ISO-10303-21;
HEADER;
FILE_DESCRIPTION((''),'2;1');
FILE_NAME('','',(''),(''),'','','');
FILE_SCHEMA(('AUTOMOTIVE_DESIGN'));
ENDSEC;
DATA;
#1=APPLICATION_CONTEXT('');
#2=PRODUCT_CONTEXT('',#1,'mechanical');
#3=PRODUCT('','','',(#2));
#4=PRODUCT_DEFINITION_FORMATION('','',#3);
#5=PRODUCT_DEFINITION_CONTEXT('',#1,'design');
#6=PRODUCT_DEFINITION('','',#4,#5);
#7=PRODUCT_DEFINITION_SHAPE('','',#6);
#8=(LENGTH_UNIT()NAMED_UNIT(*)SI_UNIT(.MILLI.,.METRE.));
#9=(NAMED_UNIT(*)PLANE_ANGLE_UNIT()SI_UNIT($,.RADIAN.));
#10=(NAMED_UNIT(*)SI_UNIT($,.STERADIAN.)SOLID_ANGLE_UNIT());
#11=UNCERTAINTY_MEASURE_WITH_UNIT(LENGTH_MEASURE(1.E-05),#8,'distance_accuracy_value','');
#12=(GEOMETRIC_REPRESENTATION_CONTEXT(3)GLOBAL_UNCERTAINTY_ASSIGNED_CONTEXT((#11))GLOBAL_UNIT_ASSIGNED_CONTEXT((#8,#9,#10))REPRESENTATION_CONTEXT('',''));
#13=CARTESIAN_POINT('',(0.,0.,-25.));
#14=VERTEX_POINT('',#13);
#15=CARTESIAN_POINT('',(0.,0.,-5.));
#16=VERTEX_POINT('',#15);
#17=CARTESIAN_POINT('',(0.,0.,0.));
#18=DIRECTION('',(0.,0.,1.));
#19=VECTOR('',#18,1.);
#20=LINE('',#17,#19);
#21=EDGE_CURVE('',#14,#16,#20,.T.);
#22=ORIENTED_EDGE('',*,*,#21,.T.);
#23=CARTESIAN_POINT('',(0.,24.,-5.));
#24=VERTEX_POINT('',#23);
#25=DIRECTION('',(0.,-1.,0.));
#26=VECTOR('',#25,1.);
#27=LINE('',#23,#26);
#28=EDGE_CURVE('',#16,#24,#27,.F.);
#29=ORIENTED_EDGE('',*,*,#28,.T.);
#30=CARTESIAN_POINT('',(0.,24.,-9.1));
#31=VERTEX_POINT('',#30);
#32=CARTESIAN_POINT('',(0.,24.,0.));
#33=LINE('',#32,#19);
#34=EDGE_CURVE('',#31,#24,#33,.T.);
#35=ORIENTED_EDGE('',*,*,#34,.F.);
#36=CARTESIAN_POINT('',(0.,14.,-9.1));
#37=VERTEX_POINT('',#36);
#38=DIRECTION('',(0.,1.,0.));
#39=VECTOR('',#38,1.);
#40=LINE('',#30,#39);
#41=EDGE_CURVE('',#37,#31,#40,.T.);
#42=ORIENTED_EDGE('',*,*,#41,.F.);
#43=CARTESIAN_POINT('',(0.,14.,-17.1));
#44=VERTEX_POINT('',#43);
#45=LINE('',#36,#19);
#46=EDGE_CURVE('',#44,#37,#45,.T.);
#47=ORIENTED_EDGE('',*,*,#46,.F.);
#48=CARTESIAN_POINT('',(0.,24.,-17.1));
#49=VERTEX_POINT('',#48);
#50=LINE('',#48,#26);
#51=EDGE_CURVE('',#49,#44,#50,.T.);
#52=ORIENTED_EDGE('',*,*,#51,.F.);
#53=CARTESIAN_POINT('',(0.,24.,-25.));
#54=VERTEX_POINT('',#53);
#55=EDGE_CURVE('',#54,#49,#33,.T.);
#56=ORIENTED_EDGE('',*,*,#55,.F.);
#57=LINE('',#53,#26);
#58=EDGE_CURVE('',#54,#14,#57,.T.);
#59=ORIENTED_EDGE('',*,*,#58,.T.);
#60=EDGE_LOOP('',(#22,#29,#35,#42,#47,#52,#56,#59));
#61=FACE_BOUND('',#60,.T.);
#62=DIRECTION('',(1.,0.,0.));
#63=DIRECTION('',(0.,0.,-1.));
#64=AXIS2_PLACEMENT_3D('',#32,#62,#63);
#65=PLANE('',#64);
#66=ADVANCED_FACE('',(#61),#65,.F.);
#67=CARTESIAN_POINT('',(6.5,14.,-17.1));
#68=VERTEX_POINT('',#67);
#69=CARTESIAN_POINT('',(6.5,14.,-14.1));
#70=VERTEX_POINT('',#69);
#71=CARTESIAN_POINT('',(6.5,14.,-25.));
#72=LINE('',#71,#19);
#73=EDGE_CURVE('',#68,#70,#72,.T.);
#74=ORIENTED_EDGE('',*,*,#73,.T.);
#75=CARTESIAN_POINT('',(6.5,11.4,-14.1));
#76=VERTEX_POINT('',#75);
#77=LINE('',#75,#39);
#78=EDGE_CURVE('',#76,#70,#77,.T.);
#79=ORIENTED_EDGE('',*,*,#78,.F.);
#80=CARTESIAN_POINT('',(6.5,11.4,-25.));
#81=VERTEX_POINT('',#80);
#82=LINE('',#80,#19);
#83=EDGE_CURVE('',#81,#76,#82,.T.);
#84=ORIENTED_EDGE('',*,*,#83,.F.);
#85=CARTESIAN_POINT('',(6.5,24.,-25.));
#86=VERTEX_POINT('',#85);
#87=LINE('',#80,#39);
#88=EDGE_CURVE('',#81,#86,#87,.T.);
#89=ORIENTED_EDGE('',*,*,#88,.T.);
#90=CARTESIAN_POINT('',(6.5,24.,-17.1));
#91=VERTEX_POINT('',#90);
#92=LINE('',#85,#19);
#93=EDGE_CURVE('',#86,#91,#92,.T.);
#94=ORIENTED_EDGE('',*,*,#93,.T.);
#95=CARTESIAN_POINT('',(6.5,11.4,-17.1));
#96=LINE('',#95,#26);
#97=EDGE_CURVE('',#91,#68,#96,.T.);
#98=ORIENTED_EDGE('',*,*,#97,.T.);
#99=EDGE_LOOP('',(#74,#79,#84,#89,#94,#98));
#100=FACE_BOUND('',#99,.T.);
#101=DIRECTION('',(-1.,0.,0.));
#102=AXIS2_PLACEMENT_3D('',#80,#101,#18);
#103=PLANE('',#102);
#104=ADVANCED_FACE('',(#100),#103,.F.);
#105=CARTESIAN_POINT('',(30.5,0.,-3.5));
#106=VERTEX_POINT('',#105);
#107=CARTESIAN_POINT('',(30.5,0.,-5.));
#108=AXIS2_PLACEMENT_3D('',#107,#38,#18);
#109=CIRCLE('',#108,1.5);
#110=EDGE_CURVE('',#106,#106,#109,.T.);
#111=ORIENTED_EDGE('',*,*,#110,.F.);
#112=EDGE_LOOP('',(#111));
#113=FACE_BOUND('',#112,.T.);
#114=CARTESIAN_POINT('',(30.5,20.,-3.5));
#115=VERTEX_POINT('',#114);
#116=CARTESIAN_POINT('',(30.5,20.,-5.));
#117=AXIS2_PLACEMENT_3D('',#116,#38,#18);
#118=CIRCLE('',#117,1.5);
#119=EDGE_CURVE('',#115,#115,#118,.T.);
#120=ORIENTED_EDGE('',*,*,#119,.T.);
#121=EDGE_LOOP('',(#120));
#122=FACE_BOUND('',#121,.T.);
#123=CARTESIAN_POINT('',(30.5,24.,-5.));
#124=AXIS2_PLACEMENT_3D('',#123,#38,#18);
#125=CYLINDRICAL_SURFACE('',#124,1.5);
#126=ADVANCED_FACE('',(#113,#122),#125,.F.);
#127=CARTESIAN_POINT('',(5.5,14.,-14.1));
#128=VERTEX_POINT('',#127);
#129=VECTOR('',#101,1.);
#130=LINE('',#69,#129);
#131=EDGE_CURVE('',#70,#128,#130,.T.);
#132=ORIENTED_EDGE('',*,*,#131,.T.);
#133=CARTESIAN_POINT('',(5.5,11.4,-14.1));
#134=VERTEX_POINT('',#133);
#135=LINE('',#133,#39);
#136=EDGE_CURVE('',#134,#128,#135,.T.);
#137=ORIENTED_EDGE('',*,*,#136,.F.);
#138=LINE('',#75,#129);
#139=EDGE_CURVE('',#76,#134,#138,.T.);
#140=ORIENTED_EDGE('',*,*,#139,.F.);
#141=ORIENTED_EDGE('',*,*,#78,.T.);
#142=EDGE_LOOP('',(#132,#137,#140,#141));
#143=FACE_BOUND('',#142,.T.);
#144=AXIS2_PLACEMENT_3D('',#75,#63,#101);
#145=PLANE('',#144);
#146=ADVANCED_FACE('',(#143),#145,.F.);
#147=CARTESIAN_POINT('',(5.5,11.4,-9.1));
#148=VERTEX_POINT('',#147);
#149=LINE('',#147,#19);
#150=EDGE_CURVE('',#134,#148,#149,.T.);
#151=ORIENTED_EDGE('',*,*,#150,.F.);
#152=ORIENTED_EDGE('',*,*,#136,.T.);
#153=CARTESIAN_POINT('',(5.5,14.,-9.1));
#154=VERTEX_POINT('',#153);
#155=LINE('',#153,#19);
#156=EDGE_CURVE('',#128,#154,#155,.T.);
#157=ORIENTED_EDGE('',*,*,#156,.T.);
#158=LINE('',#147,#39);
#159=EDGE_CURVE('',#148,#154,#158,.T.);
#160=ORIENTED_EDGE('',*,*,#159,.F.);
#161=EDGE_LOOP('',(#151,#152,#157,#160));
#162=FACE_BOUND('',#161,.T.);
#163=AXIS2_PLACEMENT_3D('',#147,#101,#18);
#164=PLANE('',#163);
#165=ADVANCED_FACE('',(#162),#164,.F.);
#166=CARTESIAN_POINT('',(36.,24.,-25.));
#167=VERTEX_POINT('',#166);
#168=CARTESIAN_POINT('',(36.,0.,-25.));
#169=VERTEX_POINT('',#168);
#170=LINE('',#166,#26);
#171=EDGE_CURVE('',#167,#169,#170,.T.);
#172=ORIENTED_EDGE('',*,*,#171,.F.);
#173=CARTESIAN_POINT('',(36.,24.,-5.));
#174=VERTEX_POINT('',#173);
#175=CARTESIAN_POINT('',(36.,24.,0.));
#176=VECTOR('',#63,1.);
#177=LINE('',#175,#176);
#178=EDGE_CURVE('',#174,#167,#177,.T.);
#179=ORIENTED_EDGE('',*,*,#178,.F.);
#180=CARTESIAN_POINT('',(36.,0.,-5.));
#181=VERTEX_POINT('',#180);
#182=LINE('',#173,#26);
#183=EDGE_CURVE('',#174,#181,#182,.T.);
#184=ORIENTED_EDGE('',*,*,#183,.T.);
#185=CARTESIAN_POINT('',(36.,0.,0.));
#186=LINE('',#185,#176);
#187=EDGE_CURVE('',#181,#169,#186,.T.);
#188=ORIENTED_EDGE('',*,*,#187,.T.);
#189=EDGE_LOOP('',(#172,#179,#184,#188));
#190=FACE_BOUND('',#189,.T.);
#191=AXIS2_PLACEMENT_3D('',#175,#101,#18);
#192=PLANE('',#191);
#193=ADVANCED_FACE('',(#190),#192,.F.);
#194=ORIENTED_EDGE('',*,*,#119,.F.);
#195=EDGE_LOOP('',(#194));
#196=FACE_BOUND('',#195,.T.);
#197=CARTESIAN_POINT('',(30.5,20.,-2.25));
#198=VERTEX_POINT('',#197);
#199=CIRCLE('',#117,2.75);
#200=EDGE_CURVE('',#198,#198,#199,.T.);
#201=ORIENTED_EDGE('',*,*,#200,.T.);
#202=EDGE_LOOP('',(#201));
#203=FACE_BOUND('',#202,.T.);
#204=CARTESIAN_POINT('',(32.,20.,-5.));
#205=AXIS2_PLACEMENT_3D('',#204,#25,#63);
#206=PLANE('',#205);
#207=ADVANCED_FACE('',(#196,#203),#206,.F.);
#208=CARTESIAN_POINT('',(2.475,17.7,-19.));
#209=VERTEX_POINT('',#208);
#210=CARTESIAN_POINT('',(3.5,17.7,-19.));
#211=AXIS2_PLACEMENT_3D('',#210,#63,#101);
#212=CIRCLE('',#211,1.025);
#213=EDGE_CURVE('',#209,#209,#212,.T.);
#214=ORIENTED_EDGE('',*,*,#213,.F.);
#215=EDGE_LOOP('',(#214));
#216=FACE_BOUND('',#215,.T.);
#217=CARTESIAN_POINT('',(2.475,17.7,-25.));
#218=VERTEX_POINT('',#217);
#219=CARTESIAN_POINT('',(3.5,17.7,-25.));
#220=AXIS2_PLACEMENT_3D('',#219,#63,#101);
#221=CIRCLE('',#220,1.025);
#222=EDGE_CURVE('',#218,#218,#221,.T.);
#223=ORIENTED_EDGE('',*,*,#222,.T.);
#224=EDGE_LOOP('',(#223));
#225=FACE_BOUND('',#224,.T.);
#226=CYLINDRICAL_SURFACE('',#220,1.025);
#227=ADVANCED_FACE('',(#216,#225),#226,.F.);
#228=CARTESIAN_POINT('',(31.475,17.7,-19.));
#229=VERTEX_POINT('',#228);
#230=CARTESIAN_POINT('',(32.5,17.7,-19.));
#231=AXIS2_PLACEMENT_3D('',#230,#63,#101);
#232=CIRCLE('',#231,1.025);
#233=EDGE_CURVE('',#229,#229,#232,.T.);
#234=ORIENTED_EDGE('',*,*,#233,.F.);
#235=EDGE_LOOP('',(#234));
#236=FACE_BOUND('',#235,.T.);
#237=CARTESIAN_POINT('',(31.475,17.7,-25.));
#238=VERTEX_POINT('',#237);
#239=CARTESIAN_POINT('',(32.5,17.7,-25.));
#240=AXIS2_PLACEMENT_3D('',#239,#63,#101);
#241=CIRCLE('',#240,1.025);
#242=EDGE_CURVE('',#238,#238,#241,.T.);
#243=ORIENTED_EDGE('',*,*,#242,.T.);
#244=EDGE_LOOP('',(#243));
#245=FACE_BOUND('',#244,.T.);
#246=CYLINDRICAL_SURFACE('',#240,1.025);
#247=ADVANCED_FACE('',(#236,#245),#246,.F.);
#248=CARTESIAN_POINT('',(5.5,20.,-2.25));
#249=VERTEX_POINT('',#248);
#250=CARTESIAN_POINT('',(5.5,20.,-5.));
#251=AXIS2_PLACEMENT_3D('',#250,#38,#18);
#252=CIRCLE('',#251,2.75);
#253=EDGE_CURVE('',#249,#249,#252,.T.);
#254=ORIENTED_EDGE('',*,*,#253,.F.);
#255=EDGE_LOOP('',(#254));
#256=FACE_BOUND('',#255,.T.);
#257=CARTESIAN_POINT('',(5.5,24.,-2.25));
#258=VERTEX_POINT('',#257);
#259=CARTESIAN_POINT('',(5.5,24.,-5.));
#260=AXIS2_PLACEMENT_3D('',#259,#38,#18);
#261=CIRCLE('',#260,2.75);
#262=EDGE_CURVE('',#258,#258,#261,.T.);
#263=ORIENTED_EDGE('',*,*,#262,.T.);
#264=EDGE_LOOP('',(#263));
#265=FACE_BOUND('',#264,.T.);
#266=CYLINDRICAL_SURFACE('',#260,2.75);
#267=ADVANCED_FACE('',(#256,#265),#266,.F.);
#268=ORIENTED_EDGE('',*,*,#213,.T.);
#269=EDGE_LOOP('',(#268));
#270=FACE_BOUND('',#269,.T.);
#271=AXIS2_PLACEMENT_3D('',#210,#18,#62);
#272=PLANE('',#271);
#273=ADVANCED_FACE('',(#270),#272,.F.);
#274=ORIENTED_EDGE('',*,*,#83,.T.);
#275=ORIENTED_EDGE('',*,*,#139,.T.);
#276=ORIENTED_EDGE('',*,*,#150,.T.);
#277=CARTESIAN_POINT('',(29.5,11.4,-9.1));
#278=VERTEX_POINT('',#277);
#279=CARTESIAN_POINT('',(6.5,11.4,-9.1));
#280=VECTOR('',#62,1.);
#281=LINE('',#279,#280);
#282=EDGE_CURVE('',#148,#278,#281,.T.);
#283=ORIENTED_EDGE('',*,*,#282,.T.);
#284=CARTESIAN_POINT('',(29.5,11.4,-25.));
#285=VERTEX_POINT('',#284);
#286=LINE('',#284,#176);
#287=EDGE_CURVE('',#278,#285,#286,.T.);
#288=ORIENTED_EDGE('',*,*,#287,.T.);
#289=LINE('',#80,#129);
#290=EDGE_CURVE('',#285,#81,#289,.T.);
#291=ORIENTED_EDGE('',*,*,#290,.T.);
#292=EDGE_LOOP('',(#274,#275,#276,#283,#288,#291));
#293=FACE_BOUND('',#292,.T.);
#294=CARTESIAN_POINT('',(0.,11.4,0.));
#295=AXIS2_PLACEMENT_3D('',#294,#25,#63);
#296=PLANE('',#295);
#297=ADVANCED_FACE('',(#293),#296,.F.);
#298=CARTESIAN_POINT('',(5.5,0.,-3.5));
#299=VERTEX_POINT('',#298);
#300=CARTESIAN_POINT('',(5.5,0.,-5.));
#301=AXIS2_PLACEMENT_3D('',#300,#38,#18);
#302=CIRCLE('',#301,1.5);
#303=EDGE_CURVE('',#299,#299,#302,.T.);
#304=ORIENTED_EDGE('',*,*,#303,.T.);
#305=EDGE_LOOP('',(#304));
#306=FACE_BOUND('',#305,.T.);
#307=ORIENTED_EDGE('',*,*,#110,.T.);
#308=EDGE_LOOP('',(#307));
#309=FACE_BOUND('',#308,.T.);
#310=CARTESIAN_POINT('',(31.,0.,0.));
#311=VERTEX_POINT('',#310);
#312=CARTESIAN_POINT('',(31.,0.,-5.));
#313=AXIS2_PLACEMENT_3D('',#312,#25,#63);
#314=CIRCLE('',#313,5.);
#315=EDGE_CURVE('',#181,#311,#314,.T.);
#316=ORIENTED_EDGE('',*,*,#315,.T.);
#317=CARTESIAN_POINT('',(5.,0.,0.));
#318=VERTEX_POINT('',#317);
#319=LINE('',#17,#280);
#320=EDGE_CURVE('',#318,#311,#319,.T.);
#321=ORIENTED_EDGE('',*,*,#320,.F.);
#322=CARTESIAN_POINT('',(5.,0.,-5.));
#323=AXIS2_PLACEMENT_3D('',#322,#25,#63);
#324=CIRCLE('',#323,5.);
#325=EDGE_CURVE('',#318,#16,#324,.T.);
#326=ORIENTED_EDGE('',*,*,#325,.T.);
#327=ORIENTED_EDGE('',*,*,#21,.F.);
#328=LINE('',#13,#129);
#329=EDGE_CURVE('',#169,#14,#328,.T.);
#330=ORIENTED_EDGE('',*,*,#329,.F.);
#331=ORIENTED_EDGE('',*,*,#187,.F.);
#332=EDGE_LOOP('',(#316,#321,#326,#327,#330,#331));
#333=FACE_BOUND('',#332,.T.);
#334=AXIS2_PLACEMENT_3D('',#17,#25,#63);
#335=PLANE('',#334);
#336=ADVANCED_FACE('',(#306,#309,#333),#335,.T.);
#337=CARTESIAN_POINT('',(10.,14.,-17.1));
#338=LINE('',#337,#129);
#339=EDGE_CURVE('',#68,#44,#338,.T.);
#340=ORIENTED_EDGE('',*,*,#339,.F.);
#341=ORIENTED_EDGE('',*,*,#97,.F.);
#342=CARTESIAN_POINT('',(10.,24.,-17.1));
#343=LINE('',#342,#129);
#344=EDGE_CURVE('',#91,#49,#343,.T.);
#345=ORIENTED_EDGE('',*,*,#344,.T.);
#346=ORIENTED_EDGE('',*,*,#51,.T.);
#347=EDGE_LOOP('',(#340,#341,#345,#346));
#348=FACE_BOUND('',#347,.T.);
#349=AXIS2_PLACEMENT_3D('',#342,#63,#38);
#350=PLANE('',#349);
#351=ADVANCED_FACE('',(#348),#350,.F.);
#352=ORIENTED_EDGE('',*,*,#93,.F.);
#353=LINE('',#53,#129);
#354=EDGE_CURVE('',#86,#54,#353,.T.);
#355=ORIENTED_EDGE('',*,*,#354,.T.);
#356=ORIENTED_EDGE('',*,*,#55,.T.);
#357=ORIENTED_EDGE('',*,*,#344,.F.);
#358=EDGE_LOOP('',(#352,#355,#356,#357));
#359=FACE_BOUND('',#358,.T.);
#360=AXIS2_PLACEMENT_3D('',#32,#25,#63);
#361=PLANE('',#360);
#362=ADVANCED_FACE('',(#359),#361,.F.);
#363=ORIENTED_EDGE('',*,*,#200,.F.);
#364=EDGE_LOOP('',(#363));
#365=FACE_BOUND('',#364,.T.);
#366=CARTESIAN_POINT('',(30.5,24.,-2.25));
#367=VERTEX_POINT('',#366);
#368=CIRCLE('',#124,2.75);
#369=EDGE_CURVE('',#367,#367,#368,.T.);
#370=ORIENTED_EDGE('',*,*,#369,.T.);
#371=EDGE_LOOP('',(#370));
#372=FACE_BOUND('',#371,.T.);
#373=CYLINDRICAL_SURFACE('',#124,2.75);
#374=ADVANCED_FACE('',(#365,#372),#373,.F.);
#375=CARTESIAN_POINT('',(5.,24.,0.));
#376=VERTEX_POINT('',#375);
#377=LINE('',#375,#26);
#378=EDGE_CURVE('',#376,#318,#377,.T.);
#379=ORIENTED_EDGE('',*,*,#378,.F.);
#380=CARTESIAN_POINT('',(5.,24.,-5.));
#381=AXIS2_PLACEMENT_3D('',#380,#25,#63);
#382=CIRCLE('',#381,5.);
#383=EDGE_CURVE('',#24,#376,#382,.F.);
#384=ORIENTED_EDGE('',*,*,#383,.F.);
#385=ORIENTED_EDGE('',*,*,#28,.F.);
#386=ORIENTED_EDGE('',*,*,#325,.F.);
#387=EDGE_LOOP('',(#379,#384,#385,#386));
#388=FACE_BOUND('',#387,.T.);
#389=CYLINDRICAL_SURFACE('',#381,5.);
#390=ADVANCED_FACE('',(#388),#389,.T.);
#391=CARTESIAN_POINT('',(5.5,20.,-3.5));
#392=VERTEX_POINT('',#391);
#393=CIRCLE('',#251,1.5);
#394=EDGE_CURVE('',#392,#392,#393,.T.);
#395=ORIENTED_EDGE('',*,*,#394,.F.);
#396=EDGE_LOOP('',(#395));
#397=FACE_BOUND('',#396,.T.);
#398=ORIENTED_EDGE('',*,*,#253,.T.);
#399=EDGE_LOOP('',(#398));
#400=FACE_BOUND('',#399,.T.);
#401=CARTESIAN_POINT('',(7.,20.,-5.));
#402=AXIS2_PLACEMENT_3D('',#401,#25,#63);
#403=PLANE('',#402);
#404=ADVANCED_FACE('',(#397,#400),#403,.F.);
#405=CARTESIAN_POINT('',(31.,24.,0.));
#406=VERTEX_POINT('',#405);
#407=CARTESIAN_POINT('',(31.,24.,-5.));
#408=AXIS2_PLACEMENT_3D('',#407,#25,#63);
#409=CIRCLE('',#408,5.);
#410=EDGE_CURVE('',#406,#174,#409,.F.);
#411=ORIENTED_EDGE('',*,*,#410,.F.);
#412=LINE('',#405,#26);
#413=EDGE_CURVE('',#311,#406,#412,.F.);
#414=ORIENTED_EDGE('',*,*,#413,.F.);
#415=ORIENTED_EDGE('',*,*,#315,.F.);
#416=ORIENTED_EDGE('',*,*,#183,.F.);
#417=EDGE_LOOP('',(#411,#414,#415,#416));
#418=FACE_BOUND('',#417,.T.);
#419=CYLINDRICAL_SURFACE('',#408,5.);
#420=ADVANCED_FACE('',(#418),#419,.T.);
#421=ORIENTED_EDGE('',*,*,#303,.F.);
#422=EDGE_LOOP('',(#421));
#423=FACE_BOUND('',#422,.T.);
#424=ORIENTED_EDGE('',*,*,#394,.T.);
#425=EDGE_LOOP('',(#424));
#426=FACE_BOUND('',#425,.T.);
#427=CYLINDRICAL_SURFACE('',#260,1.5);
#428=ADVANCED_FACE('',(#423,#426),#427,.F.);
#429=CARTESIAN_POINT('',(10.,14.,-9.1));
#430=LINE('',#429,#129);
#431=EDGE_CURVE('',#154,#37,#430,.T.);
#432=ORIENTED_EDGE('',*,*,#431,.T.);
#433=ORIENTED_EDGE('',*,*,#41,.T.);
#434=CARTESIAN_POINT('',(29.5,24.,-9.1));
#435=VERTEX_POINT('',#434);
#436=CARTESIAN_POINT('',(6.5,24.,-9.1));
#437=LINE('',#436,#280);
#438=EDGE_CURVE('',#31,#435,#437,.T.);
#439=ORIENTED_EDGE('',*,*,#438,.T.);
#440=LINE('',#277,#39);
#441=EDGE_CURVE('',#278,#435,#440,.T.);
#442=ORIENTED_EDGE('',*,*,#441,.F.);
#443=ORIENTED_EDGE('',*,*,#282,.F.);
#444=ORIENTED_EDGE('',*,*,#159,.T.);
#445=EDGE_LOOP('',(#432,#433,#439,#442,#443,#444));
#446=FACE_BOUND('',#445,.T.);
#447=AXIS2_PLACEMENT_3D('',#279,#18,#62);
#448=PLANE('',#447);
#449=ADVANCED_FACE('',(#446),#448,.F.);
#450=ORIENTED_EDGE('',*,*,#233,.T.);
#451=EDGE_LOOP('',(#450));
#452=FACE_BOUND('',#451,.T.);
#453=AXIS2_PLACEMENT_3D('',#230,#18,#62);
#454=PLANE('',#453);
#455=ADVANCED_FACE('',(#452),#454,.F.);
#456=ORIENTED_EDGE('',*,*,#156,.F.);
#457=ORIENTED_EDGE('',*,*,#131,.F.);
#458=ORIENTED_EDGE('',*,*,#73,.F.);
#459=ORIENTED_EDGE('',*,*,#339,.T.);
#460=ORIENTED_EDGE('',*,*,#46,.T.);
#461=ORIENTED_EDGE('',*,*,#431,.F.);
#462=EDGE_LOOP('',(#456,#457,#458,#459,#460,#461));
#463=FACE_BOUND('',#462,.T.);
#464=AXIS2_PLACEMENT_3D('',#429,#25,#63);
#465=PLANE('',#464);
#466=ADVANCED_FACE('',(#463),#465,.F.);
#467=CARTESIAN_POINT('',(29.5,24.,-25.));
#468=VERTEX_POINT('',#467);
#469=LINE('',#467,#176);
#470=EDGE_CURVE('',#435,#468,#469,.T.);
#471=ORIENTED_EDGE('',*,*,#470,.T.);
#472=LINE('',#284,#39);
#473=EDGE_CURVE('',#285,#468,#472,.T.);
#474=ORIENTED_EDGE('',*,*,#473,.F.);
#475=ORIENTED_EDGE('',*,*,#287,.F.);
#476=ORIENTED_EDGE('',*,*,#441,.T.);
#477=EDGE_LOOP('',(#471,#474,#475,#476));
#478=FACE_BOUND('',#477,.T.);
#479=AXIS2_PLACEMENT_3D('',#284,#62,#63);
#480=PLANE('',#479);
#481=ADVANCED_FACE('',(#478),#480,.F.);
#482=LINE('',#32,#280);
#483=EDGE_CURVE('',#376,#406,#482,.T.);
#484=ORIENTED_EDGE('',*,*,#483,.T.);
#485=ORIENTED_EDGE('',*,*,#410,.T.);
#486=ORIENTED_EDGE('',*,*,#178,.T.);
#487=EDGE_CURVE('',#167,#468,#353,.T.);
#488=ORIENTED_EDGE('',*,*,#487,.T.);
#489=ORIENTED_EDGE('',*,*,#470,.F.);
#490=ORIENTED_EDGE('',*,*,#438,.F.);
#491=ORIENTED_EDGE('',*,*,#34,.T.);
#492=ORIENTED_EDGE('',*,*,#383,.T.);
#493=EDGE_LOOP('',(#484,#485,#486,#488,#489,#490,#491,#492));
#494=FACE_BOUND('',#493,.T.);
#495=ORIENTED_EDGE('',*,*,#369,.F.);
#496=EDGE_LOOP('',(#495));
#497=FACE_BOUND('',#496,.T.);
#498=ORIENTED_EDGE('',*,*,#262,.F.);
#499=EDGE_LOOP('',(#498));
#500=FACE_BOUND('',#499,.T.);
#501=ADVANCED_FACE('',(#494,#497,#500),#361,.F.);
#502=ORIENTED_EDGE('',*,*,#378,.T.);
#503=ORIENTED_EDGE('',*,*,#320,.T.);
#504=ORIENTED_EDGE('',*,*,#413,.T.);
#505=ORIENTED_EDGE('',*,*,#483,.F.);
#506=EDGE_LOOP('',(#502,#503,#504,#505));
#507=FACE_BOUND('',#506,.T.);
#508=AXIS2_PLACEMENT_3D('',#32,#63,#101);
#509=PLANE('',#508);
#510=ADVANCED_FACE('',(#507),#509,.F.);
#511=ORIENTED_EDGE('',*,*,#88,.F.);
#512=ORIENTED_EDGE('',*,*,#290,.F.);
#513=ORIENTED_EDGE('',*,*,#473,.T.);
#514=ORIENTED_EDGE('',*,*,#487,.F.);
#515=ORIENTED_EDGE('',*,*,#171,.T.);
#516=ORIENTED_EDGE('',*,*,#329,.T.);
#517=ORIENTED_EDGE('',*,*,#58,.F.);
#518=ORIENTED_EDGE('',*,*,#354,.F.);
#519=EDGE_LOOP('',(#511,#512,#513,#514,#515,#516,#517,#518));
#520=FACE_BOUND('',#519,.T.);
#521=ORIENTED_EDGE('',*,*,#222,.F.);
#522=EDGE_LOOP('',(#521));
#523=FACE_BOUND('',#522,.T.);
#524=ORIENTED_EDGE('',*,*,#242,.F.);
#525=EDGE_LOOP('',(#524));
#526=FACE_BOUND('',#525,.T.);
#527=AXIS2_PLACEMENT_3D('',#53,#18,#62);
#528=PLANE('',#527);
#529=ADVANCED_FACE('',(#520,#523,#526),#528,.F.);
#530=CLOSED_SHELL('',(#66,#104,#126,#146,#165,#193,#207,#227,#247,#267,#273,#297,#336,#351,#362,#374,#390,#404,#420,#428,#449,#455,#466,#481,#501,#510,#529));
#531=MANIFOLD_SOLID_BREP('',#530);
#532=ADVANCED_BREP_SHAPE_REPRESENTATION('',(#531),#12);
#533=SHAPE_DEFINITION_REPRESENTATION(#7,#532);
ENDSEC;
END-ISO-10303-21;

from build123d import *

# Parameters (mm, degrees)
SKETCH2_W                          = 36
SKETCH2_H                          = 25
BOSS_EXTRUDE1_DEPTH                = 24
CUT_EXTRUDE1_DEPTH                 = 12.6
TAP_DRILL_FOR_M2_5X0_45_TAP1_D     = 2.05
TAP_DRILL_FOR_M2_5X0_45_TAP1_DEPTH = 6
FILLET2_R                          = 5
CBORE_FOR_M2_5_SHCS1_D             = 3
CBORE_FOR_M2_5_SHCS1_CBORE_D       = 5.5
CBORE_FOR_M2_5_SHCS1_CBORE_DEPTH   = 4
SKETCH8_W                          = 8
SKETCH8_H                          = 10
CUT_EXTRUDE2_DEPTH                 = 10
FILLET3_R                          = 5


with BuildPart() as part:
    # Sketch2 → Boss-Extrude1 (new body)
    with BuildSketch(Plane(origin=(0, 0, 0), x_dir=(1, 0, 0), z_dir=(0, 1, 0))):
        with Locations((18, 12.5)):
            Rectangle(SKETCH2_W, SKETCH2_H)
    extrude(amount=BOSS_EXTRUDE1_DEPTH)

    # Sketch3 → Cut-Extrude1 (cut)
    with BuildSketch(Plane(origin=(0, 24, 0), x_dir=(1, 0, 0), z_dir=(0, 1, 0))):
        Polygon((6.5, 25), (29.5, 25), (29.5, 9.1), (6.5, 9.1), (5.5, 9.1), (5.5, 14.1), (6.5, 14.1), align=None)
    extrude(amount=-CUT_EXTRUDE1_DEPTH, mode=Mode.SUBTRACT)

    # Tap Drill for M2.5x0.45 Tap1
    with Locations(Plane(origin=(0, 0, -25), x_dir=(-1, 0, 0), z_dir=(0, 0, -1))):
        with Locations((-32.5, 17.7), (-3.5, 17.7)):
            Hole(TAP_DRILL_FOR_M2_5X0_45_TAP1_D / 2, depth=TAP_DRILL_FOR_M2_5X0_45_TAP1_DEPTH)

    # Fillet2
    fillet2_edges = [part.edges().sort_by_distance(p)[0] for p in [
        (36, 12, 0),
    ]]
    fillet(fillet2_edges, radius=FILLET2_R)

    # CBORE for M2.5 SHCS1 (through all)
    with Locations(Plane(origin=(0, 24, 0), x_dir=(1, 0, 0), z_dir=(0, 1, 0))):
        with Locations((30.5, 5), (5.5, 5)):
            CounterBoreHole(CBORE_FOR_M2_5_SHCS1_D / 2, CBORE_FOR_M2_5_SHCS1_CBORE_D / 2, CBORE_FOR_M2_5_SHCS1_CBORE_DEPTH)

    # Sketch8 → Cut-Extrude2 (cut)
    with BuildSketch(Plane.ZY):
        with Locations((-13.1, 19)):
            Rectangle(SKETCH8_W, SKETCH8_H)
    extrude(amount=-CUT_EXTRUDE2_DEPTH, mode=Mode.SUBTRACT)

    # Fillet3
    fillet3_edges = [part.edges().sort_by_distance(p)[0] for p in [
        (0, 12, 0),
    ]]
    fillet(fillet3_edges, radius=FILLET3_R)


solid = part.part
